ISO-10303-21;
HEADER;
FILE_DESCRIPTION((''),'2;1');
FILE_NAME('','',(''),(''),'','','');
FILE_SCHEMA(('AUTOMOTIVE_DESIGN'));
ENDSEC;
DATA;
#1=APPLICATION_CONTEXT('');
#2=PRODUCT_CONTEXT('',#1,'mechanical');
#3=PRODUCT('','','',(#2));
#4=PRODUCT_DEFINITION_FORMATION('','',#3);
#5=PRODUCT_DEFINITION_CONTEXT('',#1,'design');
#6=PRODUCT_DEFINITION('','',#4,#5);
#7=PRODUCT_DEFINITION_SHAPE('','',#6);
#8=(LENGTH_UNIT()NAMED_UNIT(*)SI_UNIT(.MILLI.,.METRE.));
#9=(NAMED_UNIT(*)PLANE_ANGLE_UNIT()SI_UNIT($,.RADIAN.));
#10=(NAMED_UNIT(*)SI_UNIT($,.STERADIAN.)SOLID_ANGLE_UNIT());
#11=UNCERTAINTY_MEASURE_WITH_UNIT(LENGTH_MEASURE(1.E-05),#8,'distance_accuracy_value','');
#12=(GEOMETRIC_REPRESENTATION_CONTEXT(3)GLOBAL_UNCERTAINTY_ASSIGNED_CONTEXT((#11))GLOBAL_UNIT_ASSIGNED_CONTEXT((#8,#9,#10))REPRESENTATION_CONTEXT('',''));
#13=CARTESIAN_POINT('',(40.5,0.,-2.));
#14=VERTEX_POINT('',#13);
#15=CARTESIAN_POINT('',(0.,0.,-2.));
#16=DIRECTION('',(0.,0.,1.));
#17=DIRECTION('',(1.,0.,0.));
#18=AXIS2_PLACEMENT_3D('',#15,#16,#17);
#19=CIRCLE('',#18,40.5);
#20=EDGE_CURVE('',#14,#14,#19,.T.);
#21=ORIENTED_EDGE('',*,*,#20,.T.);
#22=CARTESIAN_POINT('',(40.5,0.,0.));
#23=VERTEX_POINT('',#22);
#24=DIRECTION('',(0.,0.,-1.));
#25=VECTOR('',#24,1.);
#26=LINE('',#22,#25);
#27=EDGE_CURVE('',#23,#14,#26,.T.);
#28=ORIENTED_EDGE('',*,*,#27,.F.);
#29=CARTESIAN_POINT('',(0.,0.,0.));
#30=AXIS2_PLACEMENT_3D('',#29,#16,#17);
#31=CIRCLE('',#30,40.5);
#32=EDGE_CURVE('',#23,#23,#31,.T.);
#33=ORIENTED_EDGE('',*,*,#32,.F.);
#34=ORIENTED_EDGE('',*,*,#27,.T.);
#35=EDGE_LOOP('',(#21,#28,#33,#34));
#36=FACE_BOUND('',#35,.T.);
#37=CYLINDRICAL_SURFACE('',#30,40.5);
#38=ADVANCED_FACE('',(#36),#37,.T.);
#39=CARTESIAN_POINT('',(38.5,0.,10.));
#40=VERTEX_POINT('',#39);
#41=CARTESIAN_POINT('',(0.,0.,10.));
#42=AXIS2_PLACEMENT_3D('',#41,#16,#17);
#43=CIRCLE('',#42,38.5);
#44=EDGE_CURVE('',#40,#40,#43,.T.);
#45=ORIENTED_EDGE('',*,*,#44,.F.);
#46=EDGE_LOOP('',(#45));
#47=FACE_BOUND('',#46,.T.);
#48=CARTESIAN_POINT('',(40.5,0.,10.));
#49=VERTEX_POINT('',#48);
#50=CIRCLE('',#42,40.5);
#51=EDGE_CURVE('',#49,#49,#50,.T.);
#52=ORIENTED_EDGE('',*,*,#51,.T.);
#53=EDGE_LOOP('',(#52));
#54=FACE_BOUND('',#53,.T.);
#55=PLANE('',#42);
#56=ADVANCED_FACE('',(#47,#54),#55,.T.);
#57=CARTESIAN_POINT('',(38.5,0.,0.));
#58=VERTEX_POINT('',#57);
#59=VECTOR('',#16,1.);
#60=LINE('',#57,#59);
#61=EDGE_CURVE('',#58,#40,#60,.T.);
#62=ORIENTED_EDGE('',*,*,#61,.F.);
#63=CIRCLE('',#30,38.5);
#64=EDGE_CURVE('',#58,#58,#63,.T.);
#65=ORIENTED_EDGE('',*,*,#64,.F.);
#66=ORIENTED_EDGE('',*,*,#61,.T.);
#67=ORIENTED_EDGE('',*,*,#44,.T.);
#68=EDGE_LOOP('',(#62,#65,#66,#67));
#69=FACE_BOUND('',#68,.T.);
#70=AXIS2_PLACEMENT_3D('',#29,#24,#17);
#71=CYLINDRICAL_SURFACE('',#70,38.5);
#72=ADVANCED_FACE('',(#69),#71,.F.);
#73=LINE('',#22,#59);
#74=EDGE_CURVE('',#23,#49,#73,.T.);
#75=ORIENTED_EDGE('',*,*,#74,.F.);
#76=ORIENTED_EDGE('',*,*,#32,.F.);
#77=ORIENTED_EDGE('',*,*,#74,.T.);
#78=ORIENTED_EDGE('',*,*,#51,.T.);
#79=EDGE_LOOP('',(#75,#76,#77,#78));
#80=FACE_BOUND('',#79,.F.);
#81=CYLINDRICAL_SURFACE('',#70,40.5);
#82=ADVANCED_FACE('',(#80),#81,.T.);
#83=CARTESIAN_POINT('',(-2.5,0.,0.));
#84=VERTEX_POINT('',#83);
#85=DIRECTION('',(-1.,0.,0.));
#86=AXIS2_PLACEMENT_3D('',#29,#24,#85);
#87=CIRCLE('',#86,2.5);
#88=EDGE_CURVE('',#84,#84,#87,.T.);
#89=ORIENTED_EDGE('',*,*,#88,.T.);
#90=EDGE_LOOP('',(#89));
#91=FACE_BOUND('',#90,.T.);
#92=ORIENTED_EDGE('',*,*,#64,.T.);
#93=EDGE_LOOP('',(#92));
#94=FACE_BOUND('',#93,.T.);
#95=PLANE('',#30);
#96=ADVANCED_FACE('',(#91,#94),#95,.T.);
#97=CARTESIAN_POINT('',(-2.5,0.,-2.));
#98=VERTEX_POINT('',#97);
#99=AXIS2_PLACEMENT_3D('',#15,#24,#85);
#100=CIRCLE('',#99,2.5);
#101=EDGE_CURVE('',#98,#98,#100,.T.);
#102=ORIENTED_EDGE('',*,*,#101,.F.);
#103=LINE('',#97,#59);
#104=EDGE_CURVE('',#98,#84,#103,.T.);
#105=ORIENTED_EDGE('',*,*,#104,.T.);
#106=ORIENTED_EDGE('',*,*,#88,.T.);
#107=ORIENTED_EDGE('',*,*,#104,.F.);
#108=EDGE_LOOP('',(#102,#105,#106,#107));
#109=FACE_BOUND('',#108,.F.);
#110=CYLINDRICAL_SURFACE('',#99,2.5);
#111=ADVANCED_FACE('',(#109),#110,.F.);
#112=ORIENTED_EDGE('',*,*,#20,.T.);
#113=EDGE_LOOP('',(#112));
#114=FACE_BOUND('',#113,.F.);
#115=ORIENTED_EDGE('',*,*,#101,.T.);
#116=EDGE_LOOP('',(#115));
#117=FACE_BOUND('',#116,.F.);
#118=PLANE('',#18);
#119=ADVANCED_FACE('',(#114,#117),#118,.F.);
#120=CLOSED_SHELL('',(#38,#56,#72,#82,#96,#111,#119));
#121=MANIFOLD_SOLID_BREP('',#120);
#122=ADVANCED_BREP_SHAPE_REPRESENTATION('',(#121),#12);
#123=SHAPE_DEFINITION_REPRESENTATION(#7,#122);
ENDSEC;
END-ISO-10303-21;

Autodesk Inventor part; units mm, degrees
ref_plane "YZ Plane" through (0, 0, 0) normal (1, 0, 0) x (0, 1, 0)
ref_plane "XZ Plane" through (0, 0, 0) normal (0, 1, 0) x (-1, 0, 0)
ref_plane "XY Plane" through (0, 0, 0) normal (0, 0, 1) x (1, 0, 0)
sketch "Sketch1" plane through (0, 0, 0) normal (0, 0, 1) x (1, 0, 0)
  circle A0 centre (0, 0) radius 38.5
  circle A1 centre (0, 0) radius 40.5
  dimension "Inner_Diameter" = 77
  dimension "d1" = 81
extrude "Extrusion1" add sketch "Sketch1" against normal blind 2 contours A0 | A1
extrude "Extrusion2" add sketch "Sketch1" along normal blind 10
sketch "Sketch2" plane through (0, 0, -2) normal (0, 0, -1) x (-1, 0, 0)
  circle A0 centre (0, 0) radius 2.5
  dimension "Axis_Hole" = 5
extrude "Extrusion3" cut sketch "Sketch2" against normal up to surface (2 mm away) from surface at 0
equation "\"d1\" = Inner_Diameter + 2 * Thickness"
equation "\"Thickness\" = 2"
properties part number "Cap"
